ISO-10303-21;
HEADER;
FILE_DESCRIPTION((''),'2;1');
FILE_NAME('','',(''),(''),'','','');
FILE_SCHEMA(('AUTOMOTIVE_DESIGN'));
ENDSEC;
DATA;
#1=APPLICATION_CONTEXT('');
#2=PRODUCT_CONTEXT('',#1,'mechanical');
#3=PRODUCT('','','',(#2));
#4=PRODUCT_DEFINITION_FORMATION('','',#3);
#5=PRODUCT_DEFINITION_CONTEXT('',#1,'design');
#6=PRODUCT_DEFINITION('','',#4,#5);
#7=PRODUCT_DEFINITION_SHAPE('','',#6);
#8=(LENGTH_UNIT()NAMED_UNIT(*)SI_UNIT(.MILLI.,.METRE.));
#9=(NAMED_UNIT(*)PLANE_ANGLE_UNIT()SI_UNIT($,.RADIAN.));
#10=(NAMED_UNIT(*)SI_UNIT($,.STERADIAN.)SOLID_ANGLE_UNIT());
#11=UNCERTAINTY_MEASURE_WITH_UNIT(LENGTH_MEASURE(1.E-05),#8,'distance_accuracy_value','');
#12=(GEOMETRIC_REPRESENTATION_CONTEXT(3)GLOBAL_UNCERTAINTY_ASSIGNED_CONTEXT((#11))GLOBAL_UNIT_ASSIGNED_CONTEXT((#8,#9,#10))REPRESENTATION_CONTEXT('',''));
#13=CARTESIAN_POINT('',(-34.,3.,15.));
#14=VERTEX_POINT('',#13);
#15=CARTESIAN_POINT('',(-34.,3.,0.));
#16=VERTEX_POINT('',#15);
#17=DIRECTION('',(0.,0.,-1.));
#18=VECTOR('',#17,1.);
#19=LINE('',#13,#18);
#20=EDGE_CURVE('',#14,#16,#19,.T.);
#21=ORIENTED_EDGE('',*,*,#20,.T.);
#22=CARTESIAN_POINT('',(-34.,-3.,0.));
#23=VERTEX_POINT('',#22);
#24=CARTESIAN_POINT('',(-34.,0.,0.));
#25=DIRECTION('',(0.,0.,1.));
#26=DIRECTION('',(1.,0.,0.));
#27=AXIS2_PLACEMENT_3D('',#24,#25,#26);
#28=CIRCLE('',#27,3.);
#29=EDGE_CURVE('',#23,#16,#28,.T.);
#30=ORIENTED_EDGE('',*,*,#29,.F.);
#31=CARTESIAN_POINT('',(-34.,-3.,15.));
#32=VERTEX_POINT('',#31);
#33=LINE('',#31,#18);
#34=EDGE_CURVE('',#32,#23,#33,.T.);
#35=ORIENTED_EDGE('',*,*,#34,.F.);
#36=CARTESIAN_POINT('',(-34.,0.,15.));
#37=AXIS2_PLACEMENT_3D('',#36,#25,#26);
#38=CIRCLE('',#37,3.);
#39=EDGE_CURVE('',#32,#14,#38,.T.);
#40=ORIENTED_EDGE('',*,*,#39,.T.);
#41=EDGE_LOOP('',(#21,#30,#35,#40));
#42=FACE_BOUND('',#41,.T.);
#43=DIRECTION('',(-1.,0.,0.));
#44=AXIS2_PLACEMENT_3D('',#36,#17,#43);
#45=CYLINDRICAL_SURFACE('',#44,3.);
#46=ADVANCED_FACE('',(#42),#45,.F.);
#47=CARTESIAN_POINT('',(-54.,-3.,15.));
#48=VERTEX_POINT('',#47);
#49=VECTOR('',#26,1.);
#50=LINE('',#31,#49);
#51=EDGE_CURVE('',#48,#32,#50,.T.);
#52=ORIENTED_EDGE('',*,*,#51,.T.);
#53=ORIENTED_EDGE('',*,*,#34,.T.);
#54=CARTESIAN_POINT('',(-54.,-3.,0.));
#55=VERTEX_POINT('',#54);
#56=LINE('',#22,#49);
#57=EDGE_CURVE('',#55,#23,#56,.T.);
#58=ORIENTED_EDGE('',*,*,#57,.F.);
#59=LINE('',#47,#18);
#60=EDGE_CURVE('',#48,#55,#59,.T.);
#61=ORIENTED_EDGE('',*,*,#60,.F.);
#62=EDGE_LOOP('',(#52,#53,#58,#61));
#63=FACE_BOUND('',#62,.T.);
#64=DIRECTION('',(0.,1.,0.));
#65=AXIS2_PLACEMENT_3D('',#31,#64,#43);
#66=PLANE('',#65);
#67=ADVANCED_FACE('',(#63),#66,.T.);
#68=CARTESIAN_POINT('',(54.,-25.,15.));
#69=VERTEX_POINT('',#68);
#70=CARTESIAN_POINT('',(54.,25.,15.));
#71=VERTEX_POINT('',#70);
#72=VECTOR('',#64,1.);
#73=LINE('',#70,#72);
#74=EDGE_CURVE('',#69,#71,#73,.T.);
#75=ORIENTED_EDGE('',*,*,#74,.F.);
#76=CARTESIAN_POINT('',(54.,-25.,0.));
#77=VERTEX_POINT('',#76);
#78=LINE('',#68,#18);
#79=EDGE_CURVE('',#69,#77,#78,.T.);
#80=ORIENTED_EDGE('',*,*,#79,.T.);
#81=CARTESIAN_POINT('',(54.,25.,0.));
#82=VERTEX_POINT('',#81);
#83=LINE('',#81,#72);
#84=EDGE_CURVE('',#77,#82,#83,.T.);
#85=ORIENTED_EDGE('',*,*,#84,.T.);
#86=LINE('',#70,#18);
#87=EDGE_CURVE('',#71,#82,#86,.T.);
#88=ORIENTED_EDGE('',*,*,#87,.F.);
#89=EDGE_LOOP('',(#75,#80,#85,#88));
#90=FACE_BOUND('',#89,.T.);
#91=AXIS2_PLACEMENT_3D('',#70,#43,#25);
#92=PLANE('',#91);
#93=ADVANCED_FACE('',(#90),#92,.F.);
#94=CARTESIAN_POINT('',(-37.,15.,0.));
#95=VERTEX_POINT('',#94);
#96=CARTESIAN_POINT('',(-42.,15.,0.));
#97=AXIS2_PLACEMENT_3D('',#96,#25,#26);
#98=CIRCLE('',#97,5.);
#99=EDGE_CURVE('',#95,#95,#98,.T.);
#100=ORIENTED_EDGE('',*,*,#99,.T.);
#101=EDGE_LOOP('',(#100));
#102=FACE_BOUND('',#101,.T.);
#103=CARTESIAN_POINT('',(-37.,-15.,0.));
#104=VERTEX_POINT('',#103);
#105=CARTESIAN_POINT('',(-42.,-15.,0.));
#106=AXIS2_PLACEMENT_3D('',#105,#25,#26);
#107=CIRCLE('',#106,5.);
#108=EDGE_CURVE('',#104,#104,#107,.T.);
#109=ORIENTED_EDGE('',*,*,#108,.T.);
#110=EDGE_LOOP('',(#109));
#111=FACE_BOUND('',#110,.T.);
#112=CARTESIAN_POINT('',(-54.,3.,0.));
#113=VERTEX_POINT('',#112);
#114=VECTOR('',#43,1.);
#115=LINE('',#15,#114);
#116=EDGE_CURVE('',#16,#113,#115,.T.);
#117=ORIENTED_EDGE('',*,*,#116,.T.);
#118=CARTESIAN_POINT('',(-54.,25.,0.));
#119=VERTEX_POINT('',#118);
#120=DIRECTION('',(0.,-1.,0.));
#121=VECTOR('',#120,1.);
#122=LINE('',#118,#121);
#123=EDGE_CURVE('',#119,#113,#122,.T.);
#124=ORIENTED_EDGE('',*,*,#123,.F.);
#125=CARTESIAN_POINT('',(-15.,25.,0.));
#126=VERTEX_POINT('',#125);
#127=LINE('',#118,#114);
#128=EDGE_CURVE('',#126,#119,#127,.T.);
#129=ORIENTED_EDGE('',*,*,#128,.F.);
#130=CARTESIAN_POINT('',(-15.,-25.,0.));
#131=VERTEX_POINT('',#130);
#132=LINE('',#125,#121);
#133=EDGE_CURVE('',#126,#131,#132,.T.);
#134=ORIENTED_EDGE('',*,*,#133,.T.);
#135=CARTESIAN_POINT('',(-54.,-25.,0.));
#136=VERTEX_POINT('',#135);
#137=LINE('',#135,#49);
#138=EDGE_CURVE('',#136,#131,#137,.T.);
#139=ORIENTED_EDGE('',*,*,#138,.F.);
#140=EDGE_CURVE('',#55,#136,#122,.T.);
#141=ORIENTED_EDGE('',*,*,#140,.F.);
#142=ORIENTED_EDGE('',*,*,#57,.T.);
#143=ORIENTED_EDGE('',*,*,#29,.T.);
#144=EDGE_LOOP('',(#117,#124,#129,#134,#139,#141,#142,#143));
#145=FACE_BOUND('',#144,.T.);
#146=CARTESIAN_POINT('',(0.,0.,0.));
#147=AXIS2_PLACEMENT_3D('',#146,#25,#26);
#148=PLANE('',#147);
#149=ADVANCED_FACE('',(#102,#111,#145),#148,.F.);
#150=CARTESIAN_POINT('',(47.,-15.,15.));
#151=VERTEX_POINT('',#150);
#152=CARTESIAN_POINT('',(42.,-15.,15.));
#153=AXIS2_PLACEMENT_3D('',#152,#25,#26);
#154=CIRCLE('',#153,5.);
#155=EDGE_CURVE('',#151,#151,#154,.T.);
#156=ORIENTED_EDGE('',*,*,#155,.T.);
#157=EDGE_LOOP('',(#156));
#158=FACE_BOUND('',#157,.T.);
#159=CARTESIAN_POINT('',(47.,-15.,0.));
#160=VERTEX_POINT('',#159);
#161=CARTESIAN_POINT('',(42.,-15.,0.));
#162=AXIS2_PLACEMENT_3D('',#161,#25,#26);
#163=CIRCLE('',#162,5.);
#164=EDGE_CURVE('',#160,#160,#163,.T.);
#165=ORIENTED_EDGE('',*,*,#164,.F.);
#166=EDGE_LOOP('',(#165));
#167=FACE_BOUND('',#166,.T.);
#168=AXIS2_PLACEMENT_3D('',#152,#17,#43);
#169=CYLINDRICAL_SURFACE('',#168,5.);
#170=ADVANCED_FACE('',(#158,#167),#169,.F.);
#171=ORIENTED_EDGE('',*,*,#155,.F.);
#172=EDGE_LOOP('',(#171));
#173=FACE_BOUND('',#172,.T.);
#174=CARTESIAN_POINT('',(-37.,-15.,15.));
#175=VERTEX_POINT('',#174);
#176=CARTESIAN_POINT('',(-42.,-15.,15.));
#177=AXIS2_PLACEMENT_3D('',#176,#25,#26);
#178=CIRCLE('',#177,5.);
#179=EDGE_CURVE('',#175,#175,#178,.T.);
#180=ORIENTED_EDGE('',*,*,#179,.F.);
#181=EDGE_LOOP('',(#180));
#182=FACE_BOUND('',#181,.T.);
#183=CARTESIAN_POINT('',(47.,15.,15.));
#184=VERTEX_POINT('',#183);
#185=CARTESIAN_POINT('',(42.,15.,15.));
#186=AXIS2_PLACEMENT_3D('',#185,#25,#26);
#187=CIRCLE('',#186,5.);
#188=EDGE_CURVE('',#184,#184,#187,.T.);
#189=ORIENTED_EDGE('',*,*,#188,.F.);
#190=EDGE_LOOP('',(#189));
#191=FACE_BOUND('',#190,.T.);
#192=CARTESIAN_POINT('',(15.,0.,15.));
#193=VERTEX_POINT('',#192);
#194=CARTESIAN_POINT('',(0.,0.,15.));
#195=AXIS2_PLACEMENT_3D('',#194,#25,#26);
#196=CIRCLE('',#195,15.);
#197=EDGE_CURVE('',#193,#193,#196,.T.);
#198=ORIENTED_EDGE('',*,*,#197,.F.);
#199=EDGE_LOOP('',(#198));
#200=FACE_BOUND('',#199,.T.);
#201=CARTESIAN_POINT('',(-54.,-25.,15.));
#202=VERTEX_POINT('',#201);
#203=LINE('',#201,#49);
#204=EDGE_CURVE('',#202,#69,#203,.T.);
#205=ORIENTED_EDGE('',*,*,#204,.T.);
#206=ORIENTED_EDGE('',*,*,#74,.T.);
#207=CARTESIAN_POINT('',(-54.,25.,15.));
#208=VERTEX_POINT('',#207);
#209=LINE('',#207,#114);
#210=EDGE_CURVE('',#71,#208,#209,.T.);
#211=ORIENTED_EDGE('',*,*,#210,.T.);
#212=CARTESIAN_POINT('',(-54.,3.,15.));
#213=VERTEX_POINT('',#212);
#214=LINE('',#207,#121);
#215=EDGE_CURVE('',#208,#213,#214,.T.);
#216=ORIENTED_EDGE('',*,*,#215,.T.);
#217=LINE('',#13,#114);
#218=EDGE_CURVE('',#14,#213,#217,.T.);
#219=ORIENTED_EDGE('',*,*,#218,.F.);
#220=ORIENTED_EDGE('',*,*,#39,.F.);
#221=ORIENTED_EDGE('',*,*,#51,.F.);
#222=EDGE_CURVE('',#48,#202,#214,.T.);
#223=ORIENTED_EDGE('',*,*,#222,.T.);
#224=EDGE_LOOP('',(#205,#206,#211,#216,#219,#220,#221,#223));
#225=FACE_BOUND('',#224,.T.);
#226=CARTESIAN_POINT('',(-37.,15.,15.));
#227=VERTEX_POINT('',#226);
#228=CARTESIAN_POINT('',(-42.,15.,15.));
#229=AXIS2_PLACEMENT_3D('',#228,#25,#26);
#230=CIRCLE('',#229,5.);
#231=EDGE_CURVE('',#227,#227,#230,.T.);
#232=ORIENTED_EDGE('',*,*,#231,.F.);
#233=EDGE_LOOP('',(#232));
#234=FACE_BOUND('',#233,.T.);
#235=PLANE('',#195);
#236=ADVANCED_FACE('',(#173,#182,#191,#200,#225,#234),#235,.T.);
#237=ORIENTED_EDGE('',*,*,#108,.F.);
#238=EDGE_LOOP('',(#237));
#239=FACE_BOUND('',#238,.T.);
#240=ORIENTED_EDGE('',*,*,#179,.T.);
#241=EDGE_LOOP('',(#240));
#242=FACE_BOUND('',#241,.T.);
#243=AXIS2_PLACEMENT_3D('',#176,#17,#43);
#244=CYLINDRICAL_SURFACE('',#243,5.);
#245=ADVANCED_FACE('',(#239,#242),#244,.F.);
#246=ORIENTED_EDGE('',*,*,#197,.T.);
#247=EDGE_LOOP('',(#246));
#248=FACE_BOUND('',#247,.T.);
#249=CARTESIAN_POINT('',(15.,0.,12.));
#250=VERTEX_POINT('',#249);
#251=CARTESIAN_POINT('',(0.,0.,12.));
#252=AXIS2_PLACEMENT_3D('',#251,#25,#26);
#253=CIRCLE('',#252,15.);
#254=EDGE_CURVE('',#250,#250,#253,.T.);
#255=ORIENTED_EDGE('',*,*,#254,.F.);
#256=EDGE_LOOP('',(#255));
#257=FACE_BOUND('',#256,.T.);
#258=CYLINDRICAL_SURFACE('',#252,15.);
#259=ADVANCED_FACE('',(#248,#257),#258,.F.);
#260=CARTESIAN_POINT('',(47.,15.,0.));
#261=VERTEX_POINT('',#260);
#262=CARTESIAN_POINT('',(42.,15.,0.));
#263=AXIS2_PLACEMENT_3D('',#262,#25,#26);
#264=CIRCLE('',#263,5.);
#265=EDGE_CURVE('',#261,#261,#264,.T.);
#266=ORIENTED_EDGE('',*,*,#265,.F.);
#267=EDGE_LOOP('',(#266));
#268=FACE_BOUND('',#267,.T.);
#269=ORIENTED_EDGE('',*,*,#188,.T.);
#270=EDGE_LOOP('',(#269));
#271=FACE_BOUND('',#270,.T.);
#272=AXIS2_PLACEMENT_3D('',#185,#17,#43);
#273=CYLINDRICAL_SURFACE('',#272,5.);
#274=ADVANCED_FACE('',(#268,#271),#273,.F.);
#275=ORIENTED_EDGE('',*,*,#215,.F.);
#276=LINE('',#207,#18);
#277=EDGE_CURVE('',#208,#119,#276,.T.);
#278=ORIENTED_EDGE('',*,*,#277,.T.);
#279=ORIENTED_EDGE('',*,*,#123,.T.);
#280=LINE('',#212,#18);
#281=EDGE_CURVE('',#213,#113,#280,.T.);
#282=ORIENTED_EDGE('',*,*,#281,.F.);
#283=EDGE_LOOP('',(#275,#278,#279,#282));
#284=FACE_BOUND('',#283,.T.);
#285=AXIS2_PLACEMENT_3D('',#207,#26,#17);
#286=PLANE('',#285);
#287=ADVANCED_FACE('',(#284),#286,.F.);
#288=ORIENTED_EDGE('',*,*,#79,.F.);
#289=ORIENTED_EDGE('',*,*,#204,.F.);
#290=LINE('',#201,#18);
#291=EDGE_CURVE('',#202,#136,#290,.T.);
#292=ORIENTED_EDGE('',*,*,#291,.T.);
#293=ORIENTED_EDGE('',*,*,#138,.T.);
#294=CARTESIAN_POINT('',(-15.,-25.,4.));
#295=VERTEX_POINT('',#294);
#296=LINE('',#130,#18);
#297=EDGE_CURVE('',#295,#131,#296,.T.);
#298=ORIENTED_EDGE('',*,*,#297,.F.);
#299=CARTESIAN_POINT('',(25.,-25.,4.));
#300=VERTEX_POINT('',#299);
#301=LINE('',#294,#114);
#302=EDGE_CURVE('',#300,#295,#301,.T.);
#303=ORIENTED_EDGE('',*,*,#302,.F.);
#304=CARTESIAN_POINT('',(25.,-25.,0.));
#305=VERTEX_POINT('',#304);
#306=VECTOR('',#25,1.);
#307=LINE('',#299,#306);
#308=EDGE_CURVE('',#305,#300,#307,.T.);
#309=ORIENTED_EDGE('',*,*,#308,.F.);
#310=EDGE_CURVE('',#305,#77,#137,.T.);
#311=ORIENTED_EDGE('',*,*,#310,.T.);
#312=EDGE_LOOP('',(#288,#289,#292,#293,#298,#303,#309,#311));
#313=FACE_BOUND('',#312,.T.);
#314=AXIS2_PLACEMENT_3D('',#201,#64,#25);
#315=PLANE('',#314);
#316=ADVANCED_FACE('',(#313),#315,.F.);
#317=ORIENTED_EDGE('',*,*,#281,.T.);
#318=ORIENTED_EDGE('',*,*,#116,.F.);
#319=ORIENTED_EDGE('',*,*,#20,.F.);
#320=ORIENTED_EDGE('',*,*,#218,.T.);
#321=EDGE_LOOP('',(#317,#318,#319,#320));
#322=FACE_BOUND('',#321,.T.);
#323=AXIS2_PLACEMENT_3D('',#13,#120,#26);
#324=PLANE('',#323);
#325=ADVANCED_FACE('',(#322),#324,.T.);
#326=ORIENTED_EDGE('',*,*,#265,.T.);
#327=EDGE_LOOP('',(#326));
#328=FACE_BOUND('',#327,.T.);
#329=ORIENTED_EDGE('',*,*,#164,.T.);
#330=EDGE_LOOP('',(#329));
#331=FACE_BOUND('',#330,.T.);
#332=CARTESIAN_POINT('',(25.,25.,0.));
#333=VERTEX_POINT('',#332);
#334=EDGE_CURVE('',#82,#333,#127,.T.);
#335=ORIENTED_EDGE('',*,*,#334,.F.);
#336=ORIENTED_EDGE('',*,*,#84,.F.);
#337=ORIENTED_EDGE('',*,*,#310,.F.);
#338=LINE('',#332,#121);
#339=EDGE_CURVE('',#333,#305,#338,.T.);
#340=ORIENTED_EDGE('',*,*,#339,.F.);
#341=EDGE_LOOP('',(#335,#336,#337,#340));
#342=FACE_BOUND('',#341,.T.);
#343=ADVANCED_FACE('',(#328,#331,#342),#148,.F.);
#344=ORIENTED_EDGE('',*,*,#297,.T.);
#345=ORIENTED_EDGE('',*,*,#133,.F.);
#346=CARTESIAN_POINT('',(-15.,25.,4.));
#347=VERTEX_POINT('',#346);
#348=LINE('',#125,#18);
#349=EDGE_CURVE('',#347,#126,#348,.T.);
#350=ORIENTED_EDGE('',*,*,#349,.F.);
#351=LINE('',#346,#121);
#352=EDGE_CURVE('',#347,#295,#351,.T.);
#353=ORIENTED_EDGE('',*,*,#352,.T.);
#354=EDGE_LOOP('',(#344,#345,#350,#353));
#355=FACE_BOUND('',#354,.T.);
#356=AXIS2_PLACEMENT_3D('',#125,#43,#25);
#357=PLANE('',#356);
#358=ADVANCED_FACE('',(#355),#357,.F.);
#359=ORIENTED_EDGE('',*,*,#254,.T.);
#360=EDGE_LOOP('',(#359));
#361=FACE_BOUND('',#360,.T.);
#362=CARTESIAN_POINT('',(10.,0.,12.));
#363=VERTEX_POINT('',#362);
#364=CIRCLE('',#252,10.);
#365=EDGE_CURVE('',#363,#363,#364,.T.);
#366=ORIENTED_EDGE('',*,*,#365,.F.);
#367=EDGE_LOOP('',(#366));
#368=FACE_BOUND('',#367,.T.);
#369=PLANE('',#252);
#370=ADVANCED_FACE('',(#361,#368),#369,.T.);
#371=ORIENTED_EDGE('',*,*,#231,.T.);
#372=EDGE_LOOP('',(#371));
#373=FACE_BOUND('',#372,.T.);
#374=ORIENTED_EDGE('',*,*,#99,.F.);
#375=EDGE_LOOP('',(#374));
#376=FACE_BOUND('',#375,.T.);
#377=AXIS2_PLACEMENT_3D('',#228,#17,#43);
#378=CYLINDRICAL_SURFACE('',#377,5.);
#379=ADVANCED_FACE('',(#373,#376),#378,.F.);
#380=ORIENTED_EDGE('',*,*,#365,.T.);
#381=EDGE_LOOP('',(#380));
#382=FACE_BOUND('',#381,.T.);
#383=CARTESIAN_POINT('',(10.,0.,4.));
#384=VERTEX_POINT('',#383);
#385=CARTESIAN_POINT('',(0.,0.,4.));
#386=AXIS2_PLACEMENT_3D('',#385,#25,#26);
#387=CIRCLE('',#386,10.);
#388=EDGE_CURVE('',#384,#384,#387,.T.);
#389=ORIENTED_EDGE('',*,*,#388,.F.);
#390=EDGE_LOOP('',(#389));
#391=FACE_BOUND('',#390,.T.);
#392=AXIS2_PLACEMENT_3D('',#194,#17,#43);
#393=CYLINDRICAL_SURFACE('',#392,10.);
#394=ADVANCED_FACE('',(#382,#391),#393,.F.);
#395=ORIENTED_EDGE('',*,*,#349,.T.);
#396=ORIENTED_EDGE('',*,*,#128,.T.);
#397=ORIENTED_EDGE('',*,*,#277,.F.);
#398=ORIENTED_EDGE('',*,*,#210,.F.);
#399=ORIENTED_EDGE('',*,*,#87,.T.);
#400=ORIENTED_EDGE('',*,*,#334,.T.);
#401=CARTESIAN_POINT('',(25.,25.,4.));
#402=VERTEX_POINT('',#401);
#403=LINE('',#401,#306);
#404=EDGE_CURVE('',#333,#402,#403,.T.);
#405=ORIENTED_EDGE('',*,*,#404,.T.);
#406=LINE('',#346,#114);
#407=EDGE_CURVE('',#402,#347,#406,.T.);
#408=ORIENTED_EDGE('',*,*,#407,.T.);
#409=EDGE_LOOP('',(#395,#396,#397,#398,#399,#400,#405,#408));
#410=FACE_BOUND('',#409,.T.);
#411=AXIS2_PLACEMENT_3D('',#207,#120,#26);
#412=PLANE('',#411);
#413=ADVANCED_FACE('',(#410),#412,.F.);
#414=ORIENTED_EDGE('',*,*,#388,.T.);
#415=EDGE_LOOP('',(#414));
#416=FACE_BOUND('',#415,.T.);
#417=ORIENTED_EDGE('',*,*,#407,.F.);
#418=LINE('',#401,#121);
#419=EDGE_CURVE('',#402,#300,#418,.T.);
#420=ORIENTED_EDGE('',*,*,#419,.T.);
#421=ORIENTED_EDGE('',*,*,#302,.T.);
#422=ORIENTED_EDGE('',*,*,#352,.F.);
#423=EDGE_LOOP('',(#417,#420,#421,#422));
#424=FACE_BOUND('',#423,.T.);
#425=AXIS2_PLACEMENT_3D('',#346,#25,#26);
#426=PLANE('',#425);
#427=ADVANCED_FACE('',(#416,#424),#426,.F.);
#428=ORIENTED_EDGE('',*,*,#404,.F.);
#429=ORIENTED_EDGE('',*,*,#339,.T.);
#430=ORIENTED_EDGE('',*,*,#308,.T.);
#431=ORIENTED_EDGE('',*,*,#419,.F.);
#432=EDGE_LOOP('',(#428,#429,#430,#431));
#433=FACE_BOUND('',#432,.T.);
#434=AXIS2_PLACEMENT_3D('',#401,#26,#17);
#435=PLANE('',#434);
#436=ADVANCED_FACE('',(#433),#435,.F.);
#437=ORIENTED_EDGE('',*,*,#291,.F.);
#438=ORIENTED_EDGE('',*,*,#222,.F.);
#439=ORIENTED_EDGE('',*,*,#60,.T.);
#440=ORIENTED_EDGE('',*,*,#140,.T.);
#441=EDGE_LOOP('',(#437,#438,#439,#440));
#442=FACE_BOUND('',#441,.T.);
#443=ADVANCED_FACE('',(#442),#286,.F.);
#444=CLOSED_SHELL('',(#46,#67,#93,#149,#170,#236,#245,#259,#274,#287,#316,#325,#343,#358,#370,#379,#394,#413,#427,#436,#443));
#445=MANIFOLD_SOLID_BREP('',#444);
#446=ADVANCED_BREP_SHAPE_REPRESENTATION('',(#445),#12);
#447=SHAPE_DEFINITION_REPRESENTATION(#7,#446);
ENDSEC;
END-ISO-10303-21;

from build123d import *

# Parameters (mm, degrees)
ESBO_O1_W                = 108
ESBO_O1_H                = 50
RESSALTO_EXTRUS_O1_DEPTH = 15
ESBO_O2_R                = 10
ESBO_O2_R_2              = 5
CORTE_EXTRUS_O2_DEPTH    = 15
ESBO_O4_R                = 15
CORTE_EXTRUS_O5_DEPTH    = 3
ESBO_O5_W                = 40
ESBO_O5_H                = 4
CORTE_EXTRUS_O6_DEPTH    = 76.106590923


with BuildPart() as part:
    # Esboço1 → Ressalto-extrusão1 (new body)
    with BuildSketch(Plane.XY):
        Rectangle(ESBO_O1_W, ESBO_O1_H)
    extrude(amount=RESSALTO_EXTRUS_O1_DEPTH)

    # Esboço2 → Corte-extrusão2 (cut)
    with BuildSketch(Plane.XY):
        Circle(ESBO_O2_R)
        with Locations((42, 15)):
            Circle(ESBO_O2_R_2)
        with Locations((-42, 15)):
            Circle(ESBO_O2_R_2)
        with Locations((42, -15)):
            Circle(ESBO_O2_R_2)
        with Locations((-42, -15)):
            Circle(ESBO_O2_R_2)
        with BuildLine():
            Line((-34, 3), (-54, 3))
            Line((-54, 3), (-54, -3))
            Line((-54, -3), (-34, -3))
            ThreePointArc((-34, -3), (-31, 0), (-34, 3))
        make_face()
    extrude(amount=CORTE_EXTRUS_O2_DEPTH, mode=Mode.SUBTRACT)

    # Esboço4 → Corte-extrusão5 (cut)
    with BuildSketch(Plane.XY.offset(15)):
        Circle(ESBO_O4_R)
    extrude(amount=-CORTE_EXTRUS_O5_DEPTH, mode=Mode.SUBTRACT)

    # Esboço5 → Corte-extrusão6 (cut, through all)
    with BuildSketch(Plane.XZ.offset(25)):
        with Locations((5, 2)):
            Rectangle(ESBO_O5_W, ESBO_O5_H)
    extrude(amount=-CORTE_EXTRUS_O6_DEPTH, mode=Mode.SUBTRACT)


solid = part.part
